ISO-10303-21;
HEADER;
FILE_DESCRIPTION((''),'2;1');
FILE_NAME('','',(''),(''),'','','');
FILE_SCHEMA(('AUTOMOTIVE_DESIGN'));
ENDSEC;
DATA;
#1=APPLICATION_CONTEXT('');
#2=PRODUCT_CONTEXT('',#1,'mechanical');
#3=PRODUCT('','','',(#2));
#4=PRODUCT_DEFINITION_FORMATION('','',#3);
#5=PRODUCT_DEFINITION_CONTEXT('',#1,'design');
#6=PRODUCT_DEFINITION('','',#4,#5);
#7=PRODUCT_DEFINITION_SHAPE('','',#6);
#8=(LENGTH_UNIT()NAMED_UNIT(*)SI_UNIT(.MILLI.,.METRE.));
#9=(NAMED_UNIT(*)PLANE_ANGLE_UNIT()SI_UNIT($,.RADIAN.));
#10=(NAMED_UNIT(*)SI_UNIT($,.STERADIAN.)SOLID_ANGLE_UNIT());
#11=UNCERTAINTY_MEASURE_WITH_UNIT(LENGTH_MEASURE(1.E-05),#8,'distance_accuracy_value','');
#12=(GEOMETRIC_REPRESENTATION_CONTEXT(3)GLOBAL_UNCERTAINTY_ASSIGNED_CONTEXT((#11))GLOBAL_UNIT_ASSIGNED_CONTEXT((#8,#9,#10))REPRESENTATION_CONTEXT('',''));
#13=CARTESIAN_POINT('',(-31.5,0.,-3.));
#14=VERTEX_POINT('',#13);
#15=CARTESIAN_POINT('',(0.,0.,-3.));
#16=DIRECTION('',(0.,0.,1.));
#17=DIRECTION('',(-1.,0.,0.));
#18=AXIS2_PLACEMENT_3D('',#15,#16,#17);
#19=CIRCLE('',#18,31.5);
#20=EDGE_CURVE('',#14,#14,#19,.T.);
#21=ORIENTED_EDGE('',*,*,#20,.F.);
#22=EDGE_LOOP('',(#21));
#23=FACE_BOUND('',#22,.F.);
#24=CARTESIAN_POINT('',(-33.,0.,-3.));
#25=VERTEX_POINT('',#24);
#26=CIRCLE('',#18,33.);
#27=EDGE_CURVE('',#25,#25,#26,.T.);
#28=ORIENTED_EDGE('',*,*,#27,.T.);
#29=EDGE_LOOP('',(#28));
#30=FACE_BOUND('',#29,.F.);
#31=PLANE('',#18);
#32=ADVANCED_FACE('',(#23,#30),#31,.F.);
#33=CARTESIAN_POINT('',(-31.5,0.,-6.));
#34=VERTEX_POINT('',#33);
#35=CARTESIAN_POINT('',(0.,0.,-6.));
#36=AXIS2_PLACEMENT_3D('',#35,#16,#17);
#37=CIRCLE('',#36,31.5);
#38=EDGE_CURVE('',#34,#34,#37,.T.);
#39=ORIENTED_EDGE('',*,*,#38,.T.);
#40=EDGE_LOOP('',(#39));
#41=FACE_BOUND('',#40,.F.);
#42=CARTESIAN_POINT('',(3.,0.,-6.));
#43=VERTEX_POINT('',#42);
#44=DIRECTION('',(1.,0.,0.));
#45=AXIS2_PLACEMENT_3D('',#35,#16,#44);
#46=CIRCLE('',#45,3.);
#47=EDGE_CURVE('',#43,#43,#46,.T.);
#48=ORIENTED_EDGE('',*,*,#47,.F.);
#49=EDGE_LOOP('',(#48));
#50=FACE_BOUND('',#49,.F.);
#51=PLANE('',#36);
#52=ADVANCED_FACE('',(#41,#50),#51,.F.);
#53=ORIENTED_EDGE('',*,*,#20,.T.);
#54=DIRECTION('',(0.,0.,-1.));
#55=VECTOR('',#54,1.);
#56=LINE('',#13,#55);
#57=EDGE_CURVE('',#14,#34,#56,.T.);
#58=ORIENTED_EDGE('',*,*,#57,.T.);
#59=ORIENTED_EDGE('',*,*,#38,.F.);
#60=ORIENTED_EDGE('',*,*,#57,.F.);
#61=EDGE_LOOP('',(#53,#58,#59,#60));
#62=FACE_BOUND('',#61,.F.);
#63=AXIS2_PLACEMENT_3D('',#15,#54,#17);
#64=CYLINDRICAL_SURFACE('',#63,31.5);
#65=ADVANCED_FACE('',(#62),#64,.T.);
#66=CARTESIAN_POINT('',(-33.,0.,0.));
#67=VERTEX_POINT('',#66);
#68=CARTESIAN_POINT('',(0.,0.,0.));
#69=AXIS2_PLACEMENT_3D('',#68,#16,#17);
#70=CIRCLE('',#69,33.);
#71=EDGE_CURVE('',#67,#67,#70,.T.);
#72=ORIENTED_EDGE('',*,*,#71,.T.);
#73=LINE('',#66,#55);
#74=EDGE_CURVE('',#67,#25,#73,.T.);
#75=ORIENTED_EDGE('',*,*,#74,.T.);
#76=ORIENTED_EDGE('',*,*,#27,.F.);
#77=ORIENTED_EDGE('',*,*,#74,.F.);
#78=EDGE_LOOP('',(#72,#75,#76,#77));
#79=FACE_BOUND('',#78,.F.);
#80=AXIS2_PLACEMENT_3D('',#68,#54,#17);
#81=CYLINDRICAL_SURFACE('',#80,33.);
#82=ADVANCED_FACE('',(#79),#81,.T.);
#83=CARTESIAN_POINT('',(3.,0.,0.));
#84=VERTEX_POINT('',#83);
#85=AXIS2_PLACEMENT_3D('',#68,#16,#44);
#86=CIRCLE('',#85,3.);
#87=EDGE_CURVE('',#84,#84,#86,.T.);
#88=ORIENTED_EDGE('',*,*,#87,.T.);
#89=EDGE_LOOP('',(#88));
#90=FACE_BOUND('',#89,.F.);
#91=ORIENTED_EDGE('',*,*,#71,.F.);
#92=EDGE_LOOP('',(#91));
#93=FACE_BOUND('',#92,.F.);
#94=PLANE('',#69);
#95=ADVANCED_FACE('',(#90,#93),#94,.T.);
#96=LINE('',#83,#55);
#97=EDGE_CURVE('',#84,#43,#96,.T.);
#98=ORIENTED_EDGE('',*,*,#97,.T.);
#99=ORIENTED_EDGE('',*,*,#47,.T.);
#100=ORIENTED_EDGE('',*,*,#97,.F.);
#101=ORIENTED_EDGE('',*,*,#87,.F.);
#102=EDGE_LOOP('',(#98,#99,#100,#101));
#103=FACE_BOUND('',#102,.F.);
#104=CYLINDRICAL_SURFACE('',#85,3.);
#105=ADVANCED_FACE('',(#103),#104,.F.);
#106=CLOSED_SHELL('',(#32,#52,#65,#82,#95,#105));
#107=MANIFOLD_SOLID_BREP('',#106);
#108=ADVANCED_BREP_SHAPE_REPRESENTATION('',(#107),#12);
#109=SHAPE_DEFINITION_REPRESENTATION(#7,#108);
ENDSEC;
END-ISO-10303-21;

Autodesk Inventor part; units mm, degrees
ref_plane "YZ Plane" through (0, 0, 0) normal (1, 0, 0) x (0, 1, 0)
ref_plane "XZ Plane" through (0, 0, 0) normal (0, 1, 0) x (-1, 0, 0)
ref_plane "XY Plane" through (0, 0, 0) normal (0, 0, 1) x (1, 0, 0)
sketch "Skizze1" plane through (0, 0, 0) normal (0, 1, 0) x (-1, 0, 0)
  line L0 (0, 0) -> (33, 0)
  line L1 (33, 0) -> (33, -3)
  line L2 (33, -3) -> (31.5, -3)
  line L3 (31.5, -3) -> (31.5, -6)
  line L4 (31.5, -6) -> (0, -6)
  line L5 (0, -6) -> (0, 0)
  dimension "d0" = 3
  dimension "d1" = 3
  dimension "d2" = 63
  dimension "d3" = 66
revolve "Umdrehung1" add sketch "Skizze1" angle 360 about axis through (0, 0, -6) along (0, 0, 1)
sketch "Skizze2" plane through (0, 0, 0) normal (0, 0, 1) x (1, 0, 0)
  circle A0 centre (0, 0) radius 3
  dimension "d5" = 6
extrude "Extrusion1" cut sketch "Skizze2" against normal up to surface (6 mm away)
equation "\"d1\" = d0"
properties part number "cylinder_cover_top" material "Glasfaserbeton"
